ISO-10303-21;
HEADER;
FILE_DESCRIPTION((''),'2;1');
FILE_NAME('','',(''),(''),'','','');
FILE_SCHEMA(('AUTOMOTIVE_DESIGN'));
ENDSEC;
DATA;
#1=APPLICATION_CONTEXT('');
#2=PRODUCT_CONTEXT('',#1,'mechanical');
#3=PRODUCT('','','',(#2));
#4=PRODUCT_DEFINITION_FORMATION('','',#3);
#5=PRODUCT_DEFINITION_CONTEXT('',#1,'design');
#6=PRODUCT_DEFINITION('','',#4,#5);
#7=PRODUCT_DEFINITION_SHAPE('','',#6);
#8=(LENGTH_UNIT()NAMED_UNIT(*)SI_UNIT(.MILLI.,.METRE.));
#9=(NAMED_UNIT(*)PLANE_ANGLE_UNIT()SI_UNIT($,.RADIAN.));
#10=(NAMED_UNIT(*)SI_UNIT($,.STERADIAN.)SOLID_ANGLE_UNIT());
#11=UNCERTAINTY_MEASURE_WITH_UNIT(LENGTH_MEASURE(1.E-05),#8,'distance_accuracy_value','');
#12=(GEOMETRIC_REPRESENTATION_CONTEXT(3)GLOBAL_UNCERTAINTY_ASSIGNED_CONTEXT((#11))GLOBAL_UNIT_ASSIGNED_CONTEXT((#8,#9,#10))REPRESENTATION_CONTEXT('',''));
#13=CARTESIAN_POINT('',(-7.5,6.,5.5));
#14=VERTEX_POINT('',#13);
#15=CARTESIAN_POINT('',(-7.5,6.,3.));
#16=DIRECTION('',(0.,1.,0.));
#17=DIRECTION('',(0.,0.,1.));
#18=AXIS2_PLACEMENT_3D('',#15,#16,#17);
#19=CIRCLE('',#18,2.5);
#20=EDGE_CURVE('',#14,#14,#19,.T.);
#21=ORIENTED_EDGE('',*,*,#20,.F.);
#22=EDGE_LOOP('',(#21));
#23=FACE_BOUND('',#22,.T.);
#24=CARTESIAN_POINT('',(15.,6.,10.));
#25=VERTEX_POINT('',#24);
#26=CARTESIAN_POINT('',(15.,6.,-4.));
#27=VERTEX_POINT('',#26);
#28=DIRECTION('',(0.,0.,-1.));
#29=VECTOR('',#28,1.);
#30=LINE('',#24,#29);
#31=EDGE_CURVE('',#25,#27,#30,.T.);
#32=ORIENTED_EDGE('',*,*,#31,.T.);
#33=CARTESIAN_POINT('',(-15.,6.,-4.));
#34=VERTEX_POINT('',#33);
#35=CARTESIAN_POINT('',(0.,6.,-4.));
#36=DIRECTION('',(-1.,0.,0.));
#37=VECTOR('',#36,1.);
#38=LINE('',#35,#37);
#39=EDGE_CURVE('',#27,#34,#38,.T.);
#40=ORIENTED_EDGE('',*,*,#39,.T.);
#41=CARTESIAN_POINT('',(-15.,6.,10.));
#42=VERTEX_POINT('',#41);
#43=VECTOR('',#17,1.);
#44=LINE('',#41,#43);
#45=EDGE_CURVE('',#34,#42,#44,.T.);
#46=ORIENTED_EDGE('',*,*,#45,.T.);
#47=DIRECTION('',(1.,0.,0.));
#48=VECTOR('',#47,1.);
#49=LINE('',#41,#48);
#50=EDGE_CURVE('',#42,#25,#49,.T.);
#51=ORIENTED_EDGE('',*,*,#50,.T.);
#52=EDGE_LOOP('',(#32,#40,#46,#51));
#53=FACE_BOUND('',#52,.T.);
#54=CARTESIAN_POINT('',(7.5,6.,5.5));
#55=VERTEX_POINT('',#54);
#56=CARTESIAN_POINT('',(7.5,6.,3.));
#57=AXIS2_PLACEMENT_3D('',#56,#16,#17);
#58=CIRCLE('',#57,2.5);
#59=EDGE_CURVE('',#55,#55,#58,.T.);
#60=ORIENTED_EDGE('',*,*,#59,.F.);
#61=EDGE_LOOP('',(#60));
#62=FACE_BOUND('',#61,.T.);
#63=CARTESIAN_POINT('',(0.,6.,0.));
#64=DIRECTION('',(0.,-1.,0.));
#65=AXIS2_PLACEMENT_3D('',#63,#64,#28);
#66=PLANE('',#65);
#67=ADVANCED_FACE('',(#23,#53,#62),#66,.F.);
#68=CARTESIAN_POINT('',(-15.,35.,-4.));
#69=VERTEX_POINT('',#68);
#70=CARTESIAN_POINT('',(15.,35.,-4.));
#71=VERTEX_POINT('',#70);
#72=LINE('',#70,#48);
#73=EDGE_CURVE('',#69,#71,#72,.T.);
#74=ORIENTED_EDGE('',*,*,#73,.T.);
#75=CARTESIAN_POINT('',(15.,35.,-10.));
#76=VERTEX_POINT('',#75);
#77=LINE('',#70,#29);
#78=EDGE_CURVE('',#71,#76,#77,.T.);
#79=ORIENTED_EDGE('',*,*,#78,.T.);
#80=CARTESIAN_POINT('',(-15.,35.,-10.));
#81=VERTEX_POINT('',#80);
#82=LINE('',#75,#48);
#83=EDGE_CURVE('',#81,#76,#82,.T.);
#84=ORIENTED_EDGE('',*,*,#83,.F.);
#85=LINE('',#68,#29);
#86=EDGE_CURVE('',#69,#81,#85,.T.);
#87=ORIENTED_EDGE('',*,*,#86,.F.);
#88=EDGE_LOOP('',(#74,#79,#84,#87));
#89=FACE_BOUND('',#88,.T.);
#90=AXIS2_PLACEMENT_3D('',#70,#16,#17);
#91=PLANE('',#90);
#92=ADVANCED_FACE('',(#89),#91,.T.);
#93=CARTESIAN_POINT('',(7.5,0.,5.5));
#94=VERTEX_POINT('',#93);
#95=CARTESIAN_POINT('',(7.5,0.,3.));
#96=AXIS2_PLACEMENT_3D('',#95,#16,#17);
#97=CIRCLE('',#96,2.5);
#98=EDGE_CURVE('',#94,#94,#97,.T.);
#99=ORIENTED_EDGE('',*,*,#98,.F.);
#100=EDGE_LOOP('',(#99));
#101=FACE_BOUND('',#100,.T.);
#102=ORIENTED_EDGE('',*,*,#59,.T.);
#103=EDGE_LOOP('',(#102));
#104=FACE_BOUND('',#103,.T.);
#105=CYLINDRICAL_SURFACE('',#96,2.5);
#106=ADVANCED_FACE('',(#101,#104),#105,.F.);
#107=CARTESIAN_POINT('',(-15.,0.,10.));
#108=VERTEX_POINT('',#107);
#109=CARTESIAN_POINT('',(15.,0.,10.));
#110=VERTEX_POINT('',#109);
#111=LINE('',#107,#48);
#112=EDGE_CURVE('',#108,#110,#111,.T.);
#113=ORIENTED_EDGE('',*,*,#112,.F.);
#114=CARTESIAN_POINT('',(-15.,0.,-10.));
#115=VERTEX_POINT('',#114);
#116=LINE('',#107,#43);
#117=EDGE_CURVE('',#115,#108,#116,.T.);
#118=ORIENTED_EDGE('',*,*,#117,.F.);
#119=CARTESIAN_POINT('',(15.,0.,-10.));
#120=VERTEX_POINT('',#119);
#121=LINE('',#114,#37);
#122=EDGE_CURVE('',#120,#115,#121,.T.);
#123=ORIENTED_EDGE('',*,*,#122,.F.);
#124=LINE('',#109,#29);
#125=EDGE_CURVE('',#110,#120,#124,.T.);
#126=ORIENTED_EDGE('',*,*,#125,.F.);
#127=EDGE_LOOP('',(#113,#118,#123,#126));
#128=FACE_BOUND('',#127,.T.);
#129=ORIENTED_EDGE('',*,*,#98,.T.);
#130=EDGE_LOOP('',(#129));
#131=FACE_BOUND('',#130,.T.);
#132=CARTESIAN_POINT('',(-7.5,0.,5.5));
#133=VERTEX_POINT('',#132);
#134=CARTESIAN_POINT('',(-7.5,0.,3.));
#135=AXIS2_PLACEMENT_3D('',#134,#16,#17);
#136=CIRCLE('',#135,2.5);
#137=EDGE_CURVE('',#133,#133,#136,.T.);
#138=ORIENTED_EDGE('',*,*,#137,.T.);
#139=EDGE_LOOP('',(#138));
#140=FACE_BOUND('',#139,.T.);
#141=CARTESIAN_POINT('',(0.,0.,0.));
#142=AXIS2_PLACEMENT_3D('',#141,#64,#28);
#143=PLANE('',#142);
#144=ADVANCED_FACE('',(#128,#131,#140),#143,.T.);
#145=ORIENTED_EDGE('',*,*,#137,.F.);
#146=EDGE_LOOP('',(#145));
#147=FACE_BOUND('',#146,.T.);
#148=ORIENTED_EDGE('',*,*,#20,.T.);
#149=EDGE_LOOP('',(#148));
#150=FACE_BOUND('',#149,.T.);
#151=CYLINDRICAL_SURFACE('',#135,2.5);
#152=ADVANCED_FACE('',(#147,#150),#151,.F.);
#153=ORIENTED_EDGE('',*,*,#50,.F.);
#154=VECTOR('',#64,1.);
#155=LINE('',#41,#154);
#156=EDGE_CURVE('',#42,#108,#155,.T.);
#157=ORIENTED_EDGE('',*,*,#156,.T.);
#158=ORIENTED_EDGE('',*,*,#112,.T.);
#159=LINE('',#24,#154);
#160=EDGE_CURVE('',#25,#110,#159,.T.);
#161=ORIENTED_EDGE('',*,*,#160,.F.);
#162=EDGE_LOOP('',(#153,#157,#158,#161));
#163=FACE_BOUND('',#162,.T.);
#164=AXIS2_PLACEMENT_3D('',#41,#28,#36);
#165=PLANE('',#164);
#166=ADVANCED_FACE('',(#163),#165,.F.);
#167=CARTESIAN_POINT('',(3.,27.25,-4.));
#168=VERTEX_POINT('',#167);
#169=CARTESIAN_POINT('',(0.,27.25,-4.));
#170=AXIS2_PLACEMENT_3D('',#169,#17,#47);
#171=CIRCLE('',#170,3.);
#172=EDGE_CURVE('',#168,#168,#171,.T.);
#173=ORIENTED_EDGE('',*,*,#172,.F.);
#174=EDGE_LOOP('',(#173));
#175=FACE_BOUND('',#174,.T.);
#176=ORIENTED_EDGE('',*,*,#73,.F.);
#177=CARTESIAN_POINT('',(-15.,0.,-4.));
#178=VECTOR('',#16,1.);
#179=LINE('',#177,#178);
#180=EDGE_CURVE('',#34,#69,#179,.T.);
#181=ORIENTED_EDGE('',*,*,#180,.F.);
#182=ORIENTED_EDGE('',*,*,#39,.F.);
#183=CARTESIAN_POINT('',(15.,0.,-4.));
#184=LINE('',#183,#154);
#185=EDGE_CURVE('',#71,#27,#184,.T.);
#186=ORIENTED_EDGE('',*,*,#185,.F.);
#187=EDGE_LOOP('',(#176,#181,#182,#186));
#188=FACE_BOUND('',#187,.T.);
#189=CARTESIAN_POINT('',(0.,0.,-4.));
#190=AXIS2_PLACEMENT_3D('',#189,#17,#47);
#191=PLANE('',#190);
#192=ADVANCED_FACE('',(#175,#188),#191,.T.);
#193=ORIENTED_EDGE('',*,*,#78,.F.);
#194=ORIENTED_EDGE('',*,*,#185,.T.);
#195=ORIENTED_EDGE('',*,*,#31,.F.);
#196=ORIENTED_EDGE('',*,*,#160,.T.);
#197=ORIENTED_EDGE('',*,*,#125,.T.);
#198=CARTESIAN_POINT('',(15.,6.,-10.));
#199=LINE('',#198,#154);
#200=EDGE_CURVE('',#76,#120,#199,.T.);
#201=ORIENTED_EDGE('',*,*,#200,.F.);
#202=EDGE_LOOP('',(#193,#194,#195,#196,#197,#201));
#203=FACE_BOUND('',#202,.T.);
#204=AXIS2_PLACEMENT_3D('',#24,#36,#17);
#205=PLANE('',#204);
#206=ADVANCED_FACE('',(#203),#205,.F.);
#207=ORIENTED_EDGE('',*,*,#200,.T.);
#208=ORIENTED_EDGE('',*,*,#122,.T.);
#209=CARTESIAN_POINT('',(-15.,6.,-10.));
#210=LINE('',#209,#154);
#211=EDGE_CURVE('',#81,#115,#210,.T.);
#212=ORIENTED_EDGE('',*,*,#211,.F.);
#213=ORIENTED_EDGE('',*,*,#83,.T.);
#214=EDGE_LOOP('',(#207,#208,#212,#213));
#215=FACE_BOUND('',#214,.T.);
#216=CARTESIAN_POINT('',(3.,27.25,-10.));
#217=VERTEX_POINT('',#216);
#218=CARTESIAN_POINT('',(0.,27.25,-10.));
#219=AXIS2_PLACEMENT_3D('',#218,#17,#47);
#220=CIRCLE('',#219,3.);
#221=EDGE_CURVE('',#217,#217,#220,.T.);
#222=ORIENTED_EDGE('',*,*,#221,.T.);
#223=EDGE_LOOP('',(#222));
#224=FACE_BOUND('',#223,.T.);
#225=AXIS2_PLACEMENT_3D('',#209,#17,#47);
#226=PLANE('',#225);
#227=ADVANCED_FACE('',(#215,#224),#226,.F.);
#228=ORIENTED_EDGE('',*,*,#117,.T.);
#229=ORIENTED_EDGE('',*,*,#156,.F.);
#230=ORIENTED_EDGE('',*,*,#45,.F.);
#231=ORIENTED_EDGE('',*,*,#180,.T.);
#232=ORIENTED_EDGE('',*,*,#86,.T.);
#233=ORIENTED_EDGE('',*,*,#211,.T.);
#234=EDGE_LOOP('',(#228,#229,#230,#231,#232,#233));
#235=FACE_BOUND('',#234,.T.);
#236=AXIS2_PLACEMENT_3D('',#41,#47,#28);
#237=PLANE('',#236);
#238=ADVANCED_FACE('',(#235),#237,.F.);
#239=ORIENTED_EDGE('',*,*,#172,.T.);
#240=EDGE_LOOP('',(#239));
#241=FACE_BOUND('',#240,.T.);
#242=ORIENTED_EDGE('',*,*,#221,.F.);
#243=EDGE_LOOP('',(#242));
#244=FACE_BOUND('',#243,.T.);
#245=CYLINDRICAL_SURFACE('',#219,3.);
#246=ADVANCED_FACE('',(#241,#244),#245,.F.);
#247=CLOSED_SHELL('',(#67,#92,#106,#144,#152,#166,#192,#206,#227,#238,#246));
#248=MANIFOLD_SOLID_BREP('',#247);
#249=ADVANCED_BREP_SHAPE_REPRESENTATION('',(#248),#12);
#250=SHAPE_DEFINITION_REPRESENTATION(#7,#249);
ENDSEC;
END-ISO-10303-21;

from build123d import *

# Parameters (mm, degrees)
CROQUIS1_W              = 30
CROQUIS1_H              = 20
SALIENTE_EXTRUIR1_DEPTH = 6
CROQUIS2_W              = 30
CROQUIS2_H              = 35
SALIENTE_EXTRUIR2_DEPTH = 6
CROQUIS3_R              = 3
CORTAR_EXTRUIR1_DEPTH   = 6
CROQUIS4_R              = 2.5
CORTAR_EXTRUIR2_DEPTH   = 6


with BuildPart() as part:
    # Croquis1 → Saliente-Extruir1 (new body)
    with BuildSketch(Plane(origin=(0, 0, 0), x_dir=(1, 0, 0), z_dir=(0, 1, 0))):
        Rectangle(CROQUIS1_W, CROQUIS1_H)
    extrude(amount=SALIENTE_EXTRUIR1_DEPTH)

    # Croquis2 → Saliente-Extruir2 (add)
    with BuildSketch(Plane(origin=(0, 0, -10), x_dir=(-1, 0, 0), z_dir=(0, 0, -1))):
        with Locations((0, 17.5)):
            Rectangle(CROQUIS2_W, CROQUIS2_H)
    extrude(amount=-SALIENTE_EXTRUIR2_DEPTH)

    # Croquis3 → Cortar-Extruir1 (cut)
    with BuildSketch(Plane.XY.offset(-4)):
        with Locations((0, 27.25)):
            Circle(CROQUIS3_R)
    extrude(amount=-CORTAR_EXTRUIR1_DEPTH, mode=Mode.SUBTRACT)

    # Croquis4 → Cortar-Extruir2 (cut)
    with BuildSketch(Plane(origin=(0, 6, 0), x_dir=(1, 0, 0), z_dir=(0, 1, 0))):
        with Locations(Location((-7.5, -3, 0), (0, 0, 270))):
            Circle(CROQUIS4_R)
        with Locations(Location((7.5, -3, 0), (0, 0, 270))):
            Circle(CROQUIS4_R)
    extrude(amount=-CORTAR_EXTRUIR2_DEPTH, mode=Mode.SUBTRACT)


solid = part.part
